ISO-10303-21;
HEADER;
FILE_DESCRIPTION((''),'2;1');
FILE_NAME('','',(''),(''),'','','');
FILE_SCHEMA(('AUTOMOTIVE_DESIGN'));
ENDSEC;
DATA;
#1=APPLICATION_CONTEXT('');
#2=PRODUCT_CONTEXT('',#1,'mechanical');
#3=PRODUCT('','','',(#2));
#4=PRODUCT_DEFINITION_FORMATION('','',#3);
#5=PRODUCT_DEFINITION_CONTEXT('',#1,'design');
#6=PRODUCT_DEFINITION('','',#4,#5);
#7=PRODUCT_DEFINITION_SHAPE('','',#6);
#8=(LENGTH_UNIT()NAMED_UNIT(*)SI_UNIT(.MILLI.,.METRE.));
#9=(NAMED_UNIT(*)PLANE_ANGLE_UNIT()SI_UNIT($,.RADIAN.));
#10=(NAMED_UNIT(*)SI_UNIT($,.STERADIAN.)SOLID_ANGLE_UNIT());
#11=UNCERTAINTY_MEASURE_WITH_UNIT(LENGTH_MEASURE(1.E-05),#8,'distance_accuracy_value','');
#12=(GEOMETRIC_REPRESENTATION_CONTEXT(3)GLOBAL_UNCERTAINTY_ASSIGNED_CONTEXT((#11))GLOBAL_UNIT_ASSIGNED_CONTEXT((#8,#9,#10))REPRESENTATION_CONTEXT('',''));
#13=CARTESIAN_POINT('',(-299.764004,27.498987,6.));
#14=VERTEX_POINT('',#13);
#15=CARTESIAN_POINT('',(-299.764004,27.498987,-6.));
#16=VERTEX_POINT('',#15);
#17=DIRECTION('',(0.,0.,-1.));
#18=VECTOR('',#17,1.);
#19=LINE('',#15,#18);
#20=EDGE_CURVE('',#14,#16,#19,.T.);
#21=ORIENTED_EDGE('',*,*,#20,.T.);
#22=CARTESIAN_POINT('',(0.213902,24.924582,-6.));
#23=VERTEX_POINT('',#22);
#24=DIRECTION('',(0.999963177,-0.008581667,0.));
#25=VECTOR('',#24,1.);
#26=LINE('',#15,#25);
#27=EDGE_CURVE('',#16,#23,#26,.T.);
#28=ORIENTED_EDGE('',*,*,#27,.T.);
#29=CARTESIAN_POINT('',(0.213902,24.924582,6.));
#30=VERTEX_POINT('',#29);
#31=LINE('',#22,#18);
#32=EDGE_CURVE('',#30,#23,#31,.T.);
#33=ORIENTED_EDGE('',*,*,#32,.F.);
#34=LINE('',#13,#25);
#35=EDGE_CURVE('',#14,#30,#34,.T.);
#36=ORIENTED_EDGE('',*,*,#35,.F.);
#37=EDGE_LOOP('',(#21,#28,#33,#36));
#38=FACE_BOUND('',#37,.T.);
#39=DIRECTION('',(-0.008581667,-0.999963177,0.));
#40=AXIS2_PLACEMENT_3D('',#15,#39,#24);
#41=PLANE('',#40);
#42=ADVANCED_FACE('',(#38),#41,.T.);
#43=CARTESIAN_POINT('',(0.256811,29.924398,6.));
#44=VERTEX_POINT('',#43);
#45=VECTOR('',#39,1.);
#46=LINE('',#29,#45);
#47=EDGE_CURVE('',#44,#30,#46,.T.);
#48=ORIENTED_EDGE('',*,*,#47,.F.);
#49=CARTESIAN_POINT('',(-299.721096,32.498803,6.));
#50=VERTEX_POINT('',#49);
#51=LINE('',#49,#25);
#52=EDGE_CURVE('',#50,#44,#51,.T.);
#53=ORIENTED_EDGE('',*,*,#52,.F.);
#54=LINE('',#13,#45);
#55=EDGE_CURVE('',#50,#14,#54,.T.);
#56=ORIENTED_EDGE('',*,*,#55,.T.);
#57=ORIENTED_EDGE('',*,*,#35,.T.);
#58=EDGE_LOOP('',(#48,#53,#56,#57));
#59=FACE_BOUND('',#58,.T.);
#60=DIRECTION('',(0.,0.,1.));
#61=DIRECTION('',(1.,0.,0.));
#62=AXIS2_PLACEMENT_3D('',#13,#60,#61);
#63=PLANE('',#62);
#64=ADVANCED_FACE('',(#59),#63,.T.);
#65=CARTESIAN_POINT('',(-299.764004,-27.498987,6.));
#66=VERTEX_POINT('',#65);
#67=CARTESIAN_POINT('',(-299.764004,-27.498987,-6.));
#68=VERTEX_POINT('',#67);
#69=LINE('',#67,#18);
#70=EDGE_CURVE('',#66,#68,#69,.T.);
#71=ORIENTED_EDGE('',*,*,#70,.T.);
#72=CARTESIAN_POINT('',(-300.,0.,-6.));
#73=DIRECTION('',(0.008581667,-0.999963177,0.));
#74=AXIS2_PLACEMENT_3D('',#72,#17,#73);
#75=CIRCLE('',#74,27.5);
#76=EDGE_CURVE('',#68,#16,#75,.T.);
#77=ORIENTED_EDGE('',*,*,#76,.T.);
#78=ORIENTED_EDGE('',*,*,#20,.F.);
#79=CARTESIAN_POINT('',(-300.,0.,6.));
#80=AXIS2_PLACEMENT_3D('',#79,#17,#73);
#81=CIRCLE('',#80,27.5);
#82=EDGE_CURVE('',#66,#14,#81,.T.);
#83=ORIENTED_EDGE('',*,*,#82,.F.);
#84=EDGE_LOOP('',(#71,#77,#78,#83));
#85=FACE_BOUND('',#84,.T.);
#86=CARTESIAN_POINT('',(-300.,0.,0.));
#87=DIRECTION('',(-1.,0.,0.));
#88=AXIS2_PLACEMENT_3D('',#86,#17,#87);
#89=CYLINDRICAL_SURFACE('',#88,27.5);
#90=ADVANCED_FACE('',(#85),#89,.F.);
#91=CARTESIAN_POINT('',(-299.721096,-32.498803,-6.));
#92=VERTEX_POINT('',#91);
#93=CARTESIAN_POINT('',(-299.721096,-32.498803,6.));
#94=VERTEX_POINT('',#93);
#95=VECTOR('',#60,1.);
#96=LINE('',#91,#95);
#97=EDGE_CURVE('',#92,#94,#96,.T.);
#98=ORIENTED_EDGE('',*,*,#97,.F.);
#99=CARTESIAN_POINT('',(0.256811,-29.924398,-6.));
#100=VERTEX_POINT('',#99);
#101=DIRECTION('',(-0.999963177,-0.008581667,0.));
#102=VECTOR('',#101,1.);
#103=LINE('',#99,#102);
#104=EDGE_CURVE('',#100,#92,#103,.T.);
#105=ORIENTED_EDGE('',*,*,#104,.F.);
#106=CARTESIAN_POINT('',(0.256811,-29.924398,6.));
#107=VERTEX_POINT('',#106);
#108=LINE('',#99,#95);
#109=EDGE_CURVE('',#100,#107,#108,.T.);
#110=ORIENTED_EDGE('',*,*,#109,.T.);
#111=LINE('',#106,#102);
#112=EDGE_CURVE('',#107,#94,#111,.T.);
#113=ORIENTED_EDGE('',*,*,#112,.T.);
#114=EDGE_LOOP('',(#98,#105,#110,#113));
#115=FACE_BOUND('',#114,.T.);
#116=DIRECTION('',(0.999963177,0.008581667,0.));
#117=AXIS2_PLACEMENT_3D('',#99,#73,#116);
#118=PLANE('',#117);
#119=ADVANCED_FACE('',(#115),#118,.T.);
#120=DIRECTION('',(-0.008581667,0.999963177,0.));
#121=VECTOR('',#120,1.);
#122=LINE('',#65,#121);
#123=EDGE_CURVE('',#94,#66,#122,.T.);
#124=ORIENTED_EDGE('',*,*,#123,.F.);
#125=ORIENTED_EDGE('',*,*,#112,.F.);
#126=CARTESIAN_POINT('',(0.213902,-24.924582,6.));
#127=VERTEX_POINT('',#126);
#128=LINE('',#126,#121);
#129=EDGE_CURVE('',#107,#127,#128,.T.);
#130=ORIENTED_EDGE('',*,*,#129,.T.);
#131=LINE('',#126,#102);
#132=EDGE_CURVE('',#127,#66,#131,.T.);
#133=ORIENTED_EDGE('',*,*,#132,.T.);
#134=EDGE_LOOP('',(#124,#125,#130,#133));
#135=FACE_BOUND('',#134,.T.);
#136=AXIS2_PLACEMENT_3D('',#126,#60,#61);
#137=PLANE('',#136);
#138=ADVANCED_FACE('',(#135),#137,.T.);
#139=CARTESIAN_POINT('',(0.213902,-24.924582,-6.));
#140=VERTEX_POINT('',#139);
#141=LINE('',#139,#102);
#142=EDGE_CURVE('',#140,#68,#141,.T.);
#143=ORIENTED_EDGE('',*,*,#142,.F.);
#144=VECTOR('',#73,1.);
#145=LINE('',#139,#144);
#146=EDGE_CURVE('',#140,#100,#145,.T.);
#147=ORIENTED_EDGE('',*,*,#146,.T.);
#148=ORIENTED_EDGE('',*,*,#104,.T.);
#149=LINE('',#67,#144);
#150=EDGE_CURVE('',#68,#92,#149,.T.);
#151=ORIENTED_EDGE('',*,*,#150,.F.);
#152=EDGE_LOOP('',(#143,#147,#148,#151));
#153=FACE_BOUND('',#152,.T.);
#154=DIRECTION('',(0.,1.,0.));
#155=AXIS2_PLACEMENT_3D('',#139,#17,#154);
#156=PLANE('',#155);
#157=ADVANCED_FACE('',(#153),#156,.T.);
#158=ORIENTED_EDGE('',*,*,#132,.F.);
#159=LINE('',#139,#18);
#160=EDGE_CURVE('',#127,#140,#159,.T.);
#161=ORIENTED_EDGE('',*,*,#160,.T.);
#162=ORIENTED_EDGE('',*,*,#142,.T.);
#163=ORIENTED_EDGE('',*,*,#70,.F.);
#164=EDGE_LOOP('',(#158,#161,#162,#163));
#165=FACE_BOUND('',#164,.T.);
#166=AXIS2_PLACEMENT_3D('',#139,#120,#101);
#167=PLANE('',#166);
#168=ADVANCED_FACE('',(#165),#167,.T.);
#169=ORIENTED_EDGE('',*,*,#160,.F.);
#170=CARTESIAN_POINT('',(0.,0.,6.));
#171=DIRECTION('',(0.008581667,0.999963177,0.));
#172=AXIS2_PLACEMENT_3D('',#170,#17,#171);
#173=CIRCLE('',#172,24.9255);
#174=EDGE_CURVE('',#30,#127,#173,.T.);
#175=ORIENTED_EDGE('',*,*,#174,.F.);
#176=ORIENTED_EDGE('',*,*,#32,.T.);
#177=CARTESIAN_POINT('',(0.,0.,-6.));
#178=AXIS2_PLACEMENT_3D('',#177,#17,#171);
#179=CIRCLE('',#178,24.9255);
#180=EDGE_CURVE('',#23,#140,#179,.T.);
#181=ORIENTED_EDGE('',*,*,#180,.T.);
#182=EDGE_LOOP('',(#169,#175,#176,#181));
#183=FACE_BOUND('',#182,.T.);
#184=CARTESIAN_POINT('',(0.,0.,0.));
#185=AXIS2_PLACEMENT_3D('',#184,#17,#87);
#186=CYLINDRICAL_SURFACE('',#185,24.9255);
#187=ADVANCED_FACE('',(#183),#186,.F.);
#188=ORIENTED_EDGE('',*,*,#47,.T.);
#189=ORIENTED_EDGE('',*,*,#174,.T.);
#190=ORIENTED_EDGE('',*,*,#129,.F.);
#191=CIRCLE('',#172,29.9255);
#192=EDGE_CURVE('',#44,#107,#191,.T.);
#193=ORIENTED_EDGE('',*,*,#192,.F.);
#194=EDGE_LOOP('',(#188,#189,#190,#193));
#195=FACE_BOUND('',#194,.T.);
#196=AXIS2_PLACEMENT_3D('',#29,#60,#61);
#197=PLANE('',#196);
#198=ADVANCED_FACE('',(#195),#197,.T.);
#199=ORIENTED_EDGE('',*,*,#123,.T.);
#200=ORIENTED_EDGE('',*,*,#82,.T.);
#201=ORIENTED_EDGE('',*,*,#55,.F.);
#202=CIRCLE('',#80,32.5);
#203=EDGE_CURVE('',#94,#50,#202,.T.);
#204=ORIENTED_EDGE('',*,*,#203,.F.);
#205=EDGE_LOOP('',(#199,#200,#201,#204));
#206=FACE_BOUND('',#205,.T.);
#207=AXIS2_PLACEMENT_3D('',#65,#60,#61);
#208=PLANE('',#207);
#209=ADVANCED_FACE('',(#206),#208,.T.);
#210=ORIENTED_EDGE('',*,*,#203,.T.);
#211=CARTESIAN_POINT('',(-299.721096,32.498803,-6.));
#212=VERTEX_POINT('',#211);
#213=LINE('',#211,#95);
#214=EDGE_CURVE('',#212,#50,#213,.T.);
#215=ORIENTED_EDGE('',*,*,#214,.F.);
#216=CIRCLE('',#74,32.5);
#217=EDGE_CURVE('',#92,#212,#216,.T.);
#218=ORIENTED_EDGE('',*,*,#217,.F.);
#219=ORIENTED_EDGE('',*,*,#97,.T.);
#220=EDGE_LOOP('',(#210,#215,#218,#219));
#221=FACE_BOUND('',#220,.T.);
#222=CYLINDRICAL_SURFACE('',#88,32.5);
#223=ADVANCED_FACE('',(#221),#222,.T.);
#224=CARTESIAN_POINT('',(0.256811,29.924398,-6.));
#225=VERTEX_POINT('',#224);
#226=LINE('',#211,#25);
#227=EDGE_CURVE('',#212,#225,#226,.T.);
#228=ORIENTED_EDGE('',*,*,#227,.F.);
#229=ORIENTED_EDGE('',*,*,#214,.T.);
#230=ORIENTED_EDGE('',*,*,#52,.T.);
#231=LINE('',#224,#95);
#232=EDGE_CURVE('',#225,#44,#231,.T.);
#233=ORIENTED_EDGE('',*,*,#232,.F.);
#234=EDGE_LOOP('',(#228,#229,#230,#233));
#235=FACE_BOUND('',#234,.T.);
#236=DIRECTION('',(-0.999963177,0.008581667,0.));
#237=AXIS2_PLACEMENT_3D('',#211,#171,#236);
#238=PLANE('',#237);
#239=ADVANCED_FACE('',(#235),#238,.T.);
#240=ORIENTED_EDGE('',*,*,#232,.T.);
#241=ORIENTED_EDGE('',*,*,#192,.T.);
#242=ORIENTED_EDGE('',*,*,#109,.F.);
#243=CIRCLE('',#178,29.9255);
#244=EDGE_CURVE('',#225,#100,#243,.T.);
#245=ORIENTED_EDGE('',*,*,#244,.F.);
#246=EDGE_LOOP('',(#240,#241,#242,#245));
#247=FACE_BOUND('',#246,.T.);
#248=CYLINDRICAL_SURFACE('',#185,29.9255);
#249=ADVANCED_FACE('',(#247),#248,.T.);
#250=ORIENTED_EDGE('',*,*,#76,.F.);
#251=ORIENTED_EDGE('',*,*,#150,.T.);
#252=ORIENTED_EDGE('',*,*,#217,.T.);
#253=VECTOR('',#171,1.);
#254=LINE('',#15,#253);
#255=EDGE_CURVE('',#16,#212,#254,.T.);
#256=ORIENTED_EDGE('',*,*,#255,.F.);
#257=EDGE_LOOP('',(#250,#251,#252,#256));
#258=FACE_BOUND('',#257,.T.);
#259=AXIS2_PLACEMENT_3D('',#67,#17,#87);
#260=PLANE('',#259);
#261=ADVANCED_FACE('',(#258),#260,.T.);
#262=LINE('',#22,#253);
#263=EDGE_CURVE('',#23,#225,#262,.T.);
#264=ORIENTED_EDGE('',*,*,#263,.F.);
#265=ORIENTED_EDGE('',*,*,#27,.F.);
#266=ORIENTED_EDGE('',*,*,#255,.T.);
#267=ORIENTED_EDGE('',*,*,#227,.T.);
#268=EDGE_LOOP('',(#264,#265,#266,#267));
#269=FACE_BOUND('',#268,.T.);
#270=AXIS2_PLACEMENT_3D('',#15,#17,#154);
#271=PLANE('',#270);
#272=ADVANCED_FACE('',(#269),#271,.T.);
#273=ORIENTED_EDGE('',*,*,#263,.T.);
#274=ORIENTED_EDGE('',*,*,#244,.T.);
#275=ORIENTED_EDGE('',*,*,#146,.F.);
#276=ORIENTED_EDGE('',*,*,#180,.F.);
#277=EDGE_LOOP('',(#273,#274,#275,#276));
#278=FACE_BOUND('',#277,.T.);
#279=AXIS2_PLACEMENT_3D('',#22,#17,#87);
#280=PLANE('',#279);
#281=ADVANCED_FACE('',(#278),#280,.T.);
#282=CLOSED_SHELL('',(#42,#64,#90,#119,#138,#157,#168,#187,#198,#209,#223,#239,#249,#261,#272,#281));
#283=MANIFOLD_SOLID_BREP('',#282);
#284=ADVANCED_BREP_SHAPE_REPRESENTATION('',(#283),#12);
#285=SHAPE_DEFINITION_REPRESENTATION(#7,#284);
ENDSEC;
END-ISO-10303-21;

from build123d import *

# Parameters (mm, degrees)
SK_CHAIN_PROFILE_W = 12
SK_CHAIN_PROFILE_H = 5


with BuildPart() as part:
    # FT_Chain_Envelope: sweep along a path in SK_Chain_Path
    with BuildLine(Plane.XY) as ft_chain_envelope_path:
        Line((0.235356499, -27.424490106), (-299.74255, -29.998895305))
        ThreePointArc((-299.74255, -29.998895305), (-330, 0), (-299.74255, 29.998895305))
        Line((-299.74255, 29.998895305), (0.235356499, 27.424490106))
        ThreePointArc((0.235356499, 27.424490106), (27.4255, 0), (0.235356499, -27.424490106))
    # SK_Chain_Profile → FT_Chain_Envelope (sweep)
    with BuildSketch(Plane(origin=(-299.74255, 29.998895305, 0), x_dir=(0, 0, -1), z_dir=(0.9999631768206378, -0.008581666666666639, 0))):
        Rectangle(SK_CHAIN_PROFILE_W, SK_CHAIN_PROFILE_H)
    sweep(path=ft_chain_envelope_path.line)


solid = part.part
